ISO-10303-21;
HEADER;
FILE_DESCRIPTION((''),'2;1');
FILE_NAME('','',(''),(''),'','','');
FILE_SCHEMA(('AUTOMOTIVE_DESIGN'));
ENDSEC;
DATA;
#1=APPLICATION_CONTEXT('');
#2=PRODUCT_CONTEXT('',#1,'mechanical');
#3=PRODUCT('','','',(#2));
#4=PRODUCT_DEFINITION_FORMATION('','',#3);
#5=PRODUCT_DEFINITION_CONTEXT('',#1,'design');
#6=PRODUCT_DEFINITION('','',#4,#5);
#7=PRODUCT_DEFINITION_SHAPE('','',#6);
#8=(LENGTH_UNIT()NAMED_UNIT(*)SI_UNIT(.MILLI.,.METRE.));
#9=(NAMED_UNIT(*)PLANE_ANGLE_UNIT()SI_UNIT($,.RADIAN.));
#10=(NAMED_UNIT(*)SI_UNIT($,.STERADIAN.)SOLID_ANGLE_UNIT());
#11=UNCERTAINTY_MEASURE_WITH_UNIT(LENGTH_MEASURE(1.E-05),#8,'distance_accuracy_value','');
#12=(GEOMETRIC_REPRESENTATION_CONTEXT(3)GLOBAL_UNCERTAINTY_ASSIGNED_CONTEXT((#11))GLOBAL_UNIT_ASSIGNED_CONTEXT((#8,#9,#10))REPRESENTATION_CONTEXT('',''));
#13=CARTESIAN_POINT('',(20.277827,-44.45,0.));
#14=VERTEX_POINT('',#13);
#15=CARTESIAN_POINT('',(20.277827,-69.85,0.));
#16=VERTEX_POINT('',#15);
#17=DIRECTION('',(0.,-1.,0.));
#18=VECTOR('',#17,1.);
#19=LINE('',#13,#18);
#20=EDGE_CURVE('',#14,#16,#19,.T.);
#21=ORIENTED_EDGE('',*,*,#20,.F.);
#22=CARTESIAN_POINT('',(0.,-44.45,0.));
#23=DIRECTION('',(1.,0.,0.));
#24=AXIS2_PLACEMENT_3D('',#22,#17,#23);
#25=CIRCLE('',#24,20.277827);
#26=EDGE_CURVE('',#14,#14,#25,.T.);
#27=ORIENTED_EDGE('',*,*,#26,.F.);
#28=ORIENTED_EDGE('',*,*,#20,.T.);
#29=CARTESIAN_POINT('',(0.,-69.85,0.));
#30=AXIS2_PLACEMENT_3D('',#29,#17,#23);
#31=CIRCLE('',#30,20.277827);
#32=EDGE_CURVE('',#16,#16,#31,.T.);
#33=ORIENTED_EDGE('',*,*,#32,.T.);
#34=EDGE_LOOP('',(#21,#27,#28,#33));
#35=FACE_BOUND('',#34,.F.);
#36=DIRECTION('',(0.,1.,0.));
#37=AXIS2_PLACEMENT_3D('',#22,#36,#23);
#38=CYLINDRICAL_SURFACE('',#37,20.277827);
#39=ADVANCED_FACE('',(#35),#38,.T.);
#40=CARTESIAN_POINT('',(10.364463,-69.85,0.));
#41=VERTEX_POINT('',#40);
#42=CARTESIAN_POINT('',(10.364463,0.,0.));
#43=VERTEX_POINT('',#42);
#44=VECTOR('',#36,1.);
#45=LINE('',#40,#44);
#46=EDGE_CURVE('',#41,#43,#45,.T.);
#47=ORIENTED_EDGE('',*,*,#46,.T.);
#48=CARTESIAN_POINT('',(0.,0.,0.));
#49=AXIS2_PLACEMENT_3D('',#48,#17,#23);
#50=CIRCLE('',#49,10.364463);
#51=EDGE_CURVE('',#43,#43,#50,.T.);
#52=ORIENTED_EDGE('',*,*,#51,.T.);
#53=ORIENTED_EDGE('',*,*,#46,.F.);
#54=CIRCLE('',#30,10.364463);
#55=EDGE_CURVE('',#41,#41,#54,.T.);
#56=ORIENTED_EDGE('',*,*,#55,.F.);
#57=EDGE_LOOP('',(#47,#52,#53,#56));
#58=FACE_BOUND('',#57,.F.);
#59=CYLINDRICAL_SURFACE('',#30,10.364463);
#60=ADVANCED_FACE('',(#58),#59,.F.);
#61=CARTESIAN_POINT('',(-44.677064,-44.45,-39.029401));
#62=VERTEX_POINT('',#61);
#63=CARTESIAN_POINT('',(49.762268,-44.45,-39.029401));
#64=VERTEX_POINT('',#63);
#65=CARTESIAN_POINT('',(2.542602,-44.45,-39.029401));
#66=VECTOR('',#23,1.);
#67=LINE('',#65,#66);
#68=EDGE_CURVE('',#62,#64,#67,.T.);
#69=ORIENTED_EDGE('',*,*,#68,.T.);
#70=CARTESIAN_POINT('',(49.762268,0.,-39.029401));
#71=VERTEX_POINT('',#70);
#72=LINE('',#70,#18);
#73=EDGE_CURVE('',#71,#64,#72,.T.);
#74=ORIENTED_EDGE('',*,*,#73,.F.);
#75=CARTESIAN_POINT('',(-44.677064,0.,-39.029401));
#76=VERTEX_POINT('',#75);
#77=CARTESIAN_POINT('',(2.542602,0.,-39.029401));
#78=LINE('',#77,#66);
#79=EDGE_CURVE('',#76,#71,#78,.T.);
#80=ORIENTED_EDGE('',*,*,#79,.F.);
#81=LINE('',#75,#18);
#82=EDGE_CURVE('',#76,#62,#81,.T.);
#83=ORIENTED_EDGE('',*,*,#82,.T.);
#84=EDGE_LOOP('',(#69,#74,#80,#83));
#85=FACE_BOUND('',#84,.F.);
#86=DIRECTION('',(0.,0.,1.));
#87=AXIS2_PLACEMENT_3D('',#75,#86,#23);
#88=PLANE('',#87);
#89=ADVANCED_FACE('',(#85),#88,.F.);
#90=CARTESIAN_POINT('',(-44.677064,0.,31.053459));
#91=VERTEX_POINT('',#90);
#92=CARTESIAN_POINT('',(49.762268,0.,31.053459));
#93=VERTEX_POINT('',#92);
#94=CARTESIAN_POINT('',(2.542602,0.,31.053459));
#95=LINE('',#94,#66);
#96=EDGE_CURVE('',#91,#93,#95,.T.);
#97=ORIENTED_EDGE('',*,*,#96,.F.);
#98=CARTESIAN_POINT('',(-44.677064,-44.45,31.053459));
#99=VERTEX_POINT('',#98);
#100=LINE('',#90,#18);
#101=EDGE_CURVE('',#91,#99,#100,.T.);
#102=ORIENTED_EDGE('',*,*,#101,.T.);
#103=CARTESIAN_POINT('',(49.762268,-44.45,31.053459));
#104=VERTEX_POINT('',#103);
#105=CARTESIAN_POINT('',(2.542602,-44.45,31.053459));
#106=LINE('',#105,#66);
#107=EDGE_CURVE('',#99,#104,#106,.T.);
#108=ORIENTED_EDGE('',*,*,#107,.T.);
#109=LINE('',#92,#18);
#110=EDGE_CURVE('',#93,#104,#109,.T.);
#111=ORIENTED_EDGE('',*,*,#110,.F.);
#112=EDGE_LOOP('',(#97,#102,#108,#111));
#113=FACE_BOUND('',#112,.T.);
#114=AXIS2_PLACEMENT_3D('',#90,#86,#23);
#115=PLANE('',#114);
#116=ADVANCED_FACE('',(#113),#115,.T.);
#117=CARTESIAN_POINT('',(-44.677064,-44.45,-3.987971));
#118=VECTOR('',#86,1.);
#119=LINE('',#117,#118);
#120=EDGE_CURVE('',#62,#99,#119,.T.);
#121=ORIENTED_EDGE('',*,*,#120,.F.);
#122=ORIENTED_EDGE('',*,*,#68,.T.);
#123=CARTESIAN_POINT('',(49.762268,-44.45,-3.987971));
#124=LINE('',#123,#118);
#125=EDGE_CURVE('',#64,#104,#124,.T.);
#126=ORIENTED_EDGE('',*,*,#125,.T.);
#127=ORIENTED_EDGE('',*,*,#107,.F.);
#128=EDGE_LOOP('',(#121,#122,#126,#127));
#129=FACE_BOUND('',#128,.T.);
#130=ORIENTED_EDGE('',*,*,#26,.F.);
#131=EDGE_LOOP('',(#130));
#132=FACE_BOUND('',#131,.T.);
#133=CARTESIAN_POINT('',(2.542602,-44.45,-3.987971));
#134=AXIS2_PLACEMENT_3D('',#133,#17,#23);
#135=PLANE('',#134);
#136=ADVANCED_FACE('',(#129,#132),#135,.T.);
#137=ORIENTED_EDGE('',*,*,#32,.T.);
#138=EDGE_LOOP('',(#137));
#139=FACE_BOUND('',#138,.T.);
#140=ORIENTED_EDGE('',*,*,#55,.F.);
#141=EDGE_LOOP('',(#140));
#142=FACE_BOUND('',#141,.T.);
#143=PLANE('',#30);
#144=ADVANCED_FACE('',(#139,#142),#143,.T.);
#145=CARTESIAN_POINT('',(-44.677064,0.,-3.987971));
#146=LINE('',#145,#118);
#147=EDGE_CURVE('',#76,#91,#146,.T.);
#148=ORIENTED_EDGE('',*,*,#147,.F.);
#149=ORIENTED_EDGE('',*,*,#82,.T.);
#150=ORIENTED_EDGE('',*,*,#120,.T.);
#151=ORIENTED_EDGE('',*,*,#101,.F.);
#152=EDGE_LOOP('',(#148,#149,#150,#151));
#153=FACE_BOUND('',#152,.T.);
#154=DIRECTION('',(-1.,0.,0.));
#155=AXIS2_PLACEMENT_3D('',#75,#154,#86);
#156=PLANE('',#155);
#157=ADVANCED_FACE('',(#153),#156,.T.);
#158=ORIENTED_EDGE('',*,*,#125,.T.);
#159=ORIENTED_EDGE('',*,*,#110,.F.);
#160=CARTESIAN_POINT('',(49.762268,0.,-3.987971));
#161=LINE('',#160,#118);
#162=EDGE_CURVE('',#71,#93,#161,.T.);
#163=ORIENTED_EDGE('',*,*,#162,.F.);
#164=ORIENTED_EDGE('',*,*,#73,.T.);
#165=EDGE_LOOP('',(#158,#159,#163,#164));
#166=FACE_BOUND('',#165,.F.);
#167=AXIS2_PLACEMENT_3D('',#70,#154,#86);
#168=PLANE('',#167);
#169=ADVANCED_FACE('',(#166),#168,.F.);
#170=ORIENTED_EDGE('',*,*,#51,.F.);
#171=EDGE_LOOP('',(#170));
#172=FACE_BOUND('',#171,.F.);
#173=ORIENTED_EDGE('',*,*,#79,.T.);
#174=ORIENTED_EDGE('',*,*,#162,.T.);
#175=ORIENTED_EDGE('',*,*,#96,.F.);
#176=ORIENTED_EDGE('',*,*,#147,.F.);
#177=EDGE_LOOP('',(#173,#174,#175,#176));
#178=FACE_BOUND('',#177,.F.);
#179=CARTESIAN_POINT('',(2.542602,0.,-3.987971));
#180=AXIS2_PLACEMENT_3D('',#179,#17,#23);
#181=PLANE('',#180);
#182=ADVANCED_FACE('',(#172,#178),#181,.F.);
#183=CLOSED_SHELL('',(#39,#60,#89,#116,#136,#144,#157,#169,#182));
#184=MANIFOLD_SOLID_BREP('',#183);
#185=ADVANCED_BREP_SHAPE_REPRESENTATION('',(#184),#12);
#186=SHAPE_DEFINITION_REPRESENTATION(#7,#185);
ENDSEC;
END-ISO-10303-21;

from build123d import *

# Parameters (mm, degrees)
F0_W     = 94.439332
F0_H     = 70.08286
F1_DEPTH = 44.45
F2_R     = 20.277827
F3_DEPTH = 25.4
F4_R     = 10.364463
F5_DEPTH = 69.85


with BuildPart() as f1:
    # F0 (on Front) → F1 (new body)
    with BuildSketch(Plane.XZ):
        with Locations((2.542602, -3.987971)):
            Rectangle(F0_W, F0_H)
    extrude(amount=F1_DEPTH)

    # F2 (on face) → F3 (join)
    with BuildSketch(Plane.XZ.offset(44.45)):
        Circle(F2_R)
    extrude(amount=F3_DEPTH)

    # F4 (on face) → F5 (cut, through all)
    with BuildSketch(Plane.XZ.offset(69.85)):
        Circle(F4_R)
    extrude(amount=-F5_DEPTH, mode=Mode.SUBTRACT)


solid = f1.part
